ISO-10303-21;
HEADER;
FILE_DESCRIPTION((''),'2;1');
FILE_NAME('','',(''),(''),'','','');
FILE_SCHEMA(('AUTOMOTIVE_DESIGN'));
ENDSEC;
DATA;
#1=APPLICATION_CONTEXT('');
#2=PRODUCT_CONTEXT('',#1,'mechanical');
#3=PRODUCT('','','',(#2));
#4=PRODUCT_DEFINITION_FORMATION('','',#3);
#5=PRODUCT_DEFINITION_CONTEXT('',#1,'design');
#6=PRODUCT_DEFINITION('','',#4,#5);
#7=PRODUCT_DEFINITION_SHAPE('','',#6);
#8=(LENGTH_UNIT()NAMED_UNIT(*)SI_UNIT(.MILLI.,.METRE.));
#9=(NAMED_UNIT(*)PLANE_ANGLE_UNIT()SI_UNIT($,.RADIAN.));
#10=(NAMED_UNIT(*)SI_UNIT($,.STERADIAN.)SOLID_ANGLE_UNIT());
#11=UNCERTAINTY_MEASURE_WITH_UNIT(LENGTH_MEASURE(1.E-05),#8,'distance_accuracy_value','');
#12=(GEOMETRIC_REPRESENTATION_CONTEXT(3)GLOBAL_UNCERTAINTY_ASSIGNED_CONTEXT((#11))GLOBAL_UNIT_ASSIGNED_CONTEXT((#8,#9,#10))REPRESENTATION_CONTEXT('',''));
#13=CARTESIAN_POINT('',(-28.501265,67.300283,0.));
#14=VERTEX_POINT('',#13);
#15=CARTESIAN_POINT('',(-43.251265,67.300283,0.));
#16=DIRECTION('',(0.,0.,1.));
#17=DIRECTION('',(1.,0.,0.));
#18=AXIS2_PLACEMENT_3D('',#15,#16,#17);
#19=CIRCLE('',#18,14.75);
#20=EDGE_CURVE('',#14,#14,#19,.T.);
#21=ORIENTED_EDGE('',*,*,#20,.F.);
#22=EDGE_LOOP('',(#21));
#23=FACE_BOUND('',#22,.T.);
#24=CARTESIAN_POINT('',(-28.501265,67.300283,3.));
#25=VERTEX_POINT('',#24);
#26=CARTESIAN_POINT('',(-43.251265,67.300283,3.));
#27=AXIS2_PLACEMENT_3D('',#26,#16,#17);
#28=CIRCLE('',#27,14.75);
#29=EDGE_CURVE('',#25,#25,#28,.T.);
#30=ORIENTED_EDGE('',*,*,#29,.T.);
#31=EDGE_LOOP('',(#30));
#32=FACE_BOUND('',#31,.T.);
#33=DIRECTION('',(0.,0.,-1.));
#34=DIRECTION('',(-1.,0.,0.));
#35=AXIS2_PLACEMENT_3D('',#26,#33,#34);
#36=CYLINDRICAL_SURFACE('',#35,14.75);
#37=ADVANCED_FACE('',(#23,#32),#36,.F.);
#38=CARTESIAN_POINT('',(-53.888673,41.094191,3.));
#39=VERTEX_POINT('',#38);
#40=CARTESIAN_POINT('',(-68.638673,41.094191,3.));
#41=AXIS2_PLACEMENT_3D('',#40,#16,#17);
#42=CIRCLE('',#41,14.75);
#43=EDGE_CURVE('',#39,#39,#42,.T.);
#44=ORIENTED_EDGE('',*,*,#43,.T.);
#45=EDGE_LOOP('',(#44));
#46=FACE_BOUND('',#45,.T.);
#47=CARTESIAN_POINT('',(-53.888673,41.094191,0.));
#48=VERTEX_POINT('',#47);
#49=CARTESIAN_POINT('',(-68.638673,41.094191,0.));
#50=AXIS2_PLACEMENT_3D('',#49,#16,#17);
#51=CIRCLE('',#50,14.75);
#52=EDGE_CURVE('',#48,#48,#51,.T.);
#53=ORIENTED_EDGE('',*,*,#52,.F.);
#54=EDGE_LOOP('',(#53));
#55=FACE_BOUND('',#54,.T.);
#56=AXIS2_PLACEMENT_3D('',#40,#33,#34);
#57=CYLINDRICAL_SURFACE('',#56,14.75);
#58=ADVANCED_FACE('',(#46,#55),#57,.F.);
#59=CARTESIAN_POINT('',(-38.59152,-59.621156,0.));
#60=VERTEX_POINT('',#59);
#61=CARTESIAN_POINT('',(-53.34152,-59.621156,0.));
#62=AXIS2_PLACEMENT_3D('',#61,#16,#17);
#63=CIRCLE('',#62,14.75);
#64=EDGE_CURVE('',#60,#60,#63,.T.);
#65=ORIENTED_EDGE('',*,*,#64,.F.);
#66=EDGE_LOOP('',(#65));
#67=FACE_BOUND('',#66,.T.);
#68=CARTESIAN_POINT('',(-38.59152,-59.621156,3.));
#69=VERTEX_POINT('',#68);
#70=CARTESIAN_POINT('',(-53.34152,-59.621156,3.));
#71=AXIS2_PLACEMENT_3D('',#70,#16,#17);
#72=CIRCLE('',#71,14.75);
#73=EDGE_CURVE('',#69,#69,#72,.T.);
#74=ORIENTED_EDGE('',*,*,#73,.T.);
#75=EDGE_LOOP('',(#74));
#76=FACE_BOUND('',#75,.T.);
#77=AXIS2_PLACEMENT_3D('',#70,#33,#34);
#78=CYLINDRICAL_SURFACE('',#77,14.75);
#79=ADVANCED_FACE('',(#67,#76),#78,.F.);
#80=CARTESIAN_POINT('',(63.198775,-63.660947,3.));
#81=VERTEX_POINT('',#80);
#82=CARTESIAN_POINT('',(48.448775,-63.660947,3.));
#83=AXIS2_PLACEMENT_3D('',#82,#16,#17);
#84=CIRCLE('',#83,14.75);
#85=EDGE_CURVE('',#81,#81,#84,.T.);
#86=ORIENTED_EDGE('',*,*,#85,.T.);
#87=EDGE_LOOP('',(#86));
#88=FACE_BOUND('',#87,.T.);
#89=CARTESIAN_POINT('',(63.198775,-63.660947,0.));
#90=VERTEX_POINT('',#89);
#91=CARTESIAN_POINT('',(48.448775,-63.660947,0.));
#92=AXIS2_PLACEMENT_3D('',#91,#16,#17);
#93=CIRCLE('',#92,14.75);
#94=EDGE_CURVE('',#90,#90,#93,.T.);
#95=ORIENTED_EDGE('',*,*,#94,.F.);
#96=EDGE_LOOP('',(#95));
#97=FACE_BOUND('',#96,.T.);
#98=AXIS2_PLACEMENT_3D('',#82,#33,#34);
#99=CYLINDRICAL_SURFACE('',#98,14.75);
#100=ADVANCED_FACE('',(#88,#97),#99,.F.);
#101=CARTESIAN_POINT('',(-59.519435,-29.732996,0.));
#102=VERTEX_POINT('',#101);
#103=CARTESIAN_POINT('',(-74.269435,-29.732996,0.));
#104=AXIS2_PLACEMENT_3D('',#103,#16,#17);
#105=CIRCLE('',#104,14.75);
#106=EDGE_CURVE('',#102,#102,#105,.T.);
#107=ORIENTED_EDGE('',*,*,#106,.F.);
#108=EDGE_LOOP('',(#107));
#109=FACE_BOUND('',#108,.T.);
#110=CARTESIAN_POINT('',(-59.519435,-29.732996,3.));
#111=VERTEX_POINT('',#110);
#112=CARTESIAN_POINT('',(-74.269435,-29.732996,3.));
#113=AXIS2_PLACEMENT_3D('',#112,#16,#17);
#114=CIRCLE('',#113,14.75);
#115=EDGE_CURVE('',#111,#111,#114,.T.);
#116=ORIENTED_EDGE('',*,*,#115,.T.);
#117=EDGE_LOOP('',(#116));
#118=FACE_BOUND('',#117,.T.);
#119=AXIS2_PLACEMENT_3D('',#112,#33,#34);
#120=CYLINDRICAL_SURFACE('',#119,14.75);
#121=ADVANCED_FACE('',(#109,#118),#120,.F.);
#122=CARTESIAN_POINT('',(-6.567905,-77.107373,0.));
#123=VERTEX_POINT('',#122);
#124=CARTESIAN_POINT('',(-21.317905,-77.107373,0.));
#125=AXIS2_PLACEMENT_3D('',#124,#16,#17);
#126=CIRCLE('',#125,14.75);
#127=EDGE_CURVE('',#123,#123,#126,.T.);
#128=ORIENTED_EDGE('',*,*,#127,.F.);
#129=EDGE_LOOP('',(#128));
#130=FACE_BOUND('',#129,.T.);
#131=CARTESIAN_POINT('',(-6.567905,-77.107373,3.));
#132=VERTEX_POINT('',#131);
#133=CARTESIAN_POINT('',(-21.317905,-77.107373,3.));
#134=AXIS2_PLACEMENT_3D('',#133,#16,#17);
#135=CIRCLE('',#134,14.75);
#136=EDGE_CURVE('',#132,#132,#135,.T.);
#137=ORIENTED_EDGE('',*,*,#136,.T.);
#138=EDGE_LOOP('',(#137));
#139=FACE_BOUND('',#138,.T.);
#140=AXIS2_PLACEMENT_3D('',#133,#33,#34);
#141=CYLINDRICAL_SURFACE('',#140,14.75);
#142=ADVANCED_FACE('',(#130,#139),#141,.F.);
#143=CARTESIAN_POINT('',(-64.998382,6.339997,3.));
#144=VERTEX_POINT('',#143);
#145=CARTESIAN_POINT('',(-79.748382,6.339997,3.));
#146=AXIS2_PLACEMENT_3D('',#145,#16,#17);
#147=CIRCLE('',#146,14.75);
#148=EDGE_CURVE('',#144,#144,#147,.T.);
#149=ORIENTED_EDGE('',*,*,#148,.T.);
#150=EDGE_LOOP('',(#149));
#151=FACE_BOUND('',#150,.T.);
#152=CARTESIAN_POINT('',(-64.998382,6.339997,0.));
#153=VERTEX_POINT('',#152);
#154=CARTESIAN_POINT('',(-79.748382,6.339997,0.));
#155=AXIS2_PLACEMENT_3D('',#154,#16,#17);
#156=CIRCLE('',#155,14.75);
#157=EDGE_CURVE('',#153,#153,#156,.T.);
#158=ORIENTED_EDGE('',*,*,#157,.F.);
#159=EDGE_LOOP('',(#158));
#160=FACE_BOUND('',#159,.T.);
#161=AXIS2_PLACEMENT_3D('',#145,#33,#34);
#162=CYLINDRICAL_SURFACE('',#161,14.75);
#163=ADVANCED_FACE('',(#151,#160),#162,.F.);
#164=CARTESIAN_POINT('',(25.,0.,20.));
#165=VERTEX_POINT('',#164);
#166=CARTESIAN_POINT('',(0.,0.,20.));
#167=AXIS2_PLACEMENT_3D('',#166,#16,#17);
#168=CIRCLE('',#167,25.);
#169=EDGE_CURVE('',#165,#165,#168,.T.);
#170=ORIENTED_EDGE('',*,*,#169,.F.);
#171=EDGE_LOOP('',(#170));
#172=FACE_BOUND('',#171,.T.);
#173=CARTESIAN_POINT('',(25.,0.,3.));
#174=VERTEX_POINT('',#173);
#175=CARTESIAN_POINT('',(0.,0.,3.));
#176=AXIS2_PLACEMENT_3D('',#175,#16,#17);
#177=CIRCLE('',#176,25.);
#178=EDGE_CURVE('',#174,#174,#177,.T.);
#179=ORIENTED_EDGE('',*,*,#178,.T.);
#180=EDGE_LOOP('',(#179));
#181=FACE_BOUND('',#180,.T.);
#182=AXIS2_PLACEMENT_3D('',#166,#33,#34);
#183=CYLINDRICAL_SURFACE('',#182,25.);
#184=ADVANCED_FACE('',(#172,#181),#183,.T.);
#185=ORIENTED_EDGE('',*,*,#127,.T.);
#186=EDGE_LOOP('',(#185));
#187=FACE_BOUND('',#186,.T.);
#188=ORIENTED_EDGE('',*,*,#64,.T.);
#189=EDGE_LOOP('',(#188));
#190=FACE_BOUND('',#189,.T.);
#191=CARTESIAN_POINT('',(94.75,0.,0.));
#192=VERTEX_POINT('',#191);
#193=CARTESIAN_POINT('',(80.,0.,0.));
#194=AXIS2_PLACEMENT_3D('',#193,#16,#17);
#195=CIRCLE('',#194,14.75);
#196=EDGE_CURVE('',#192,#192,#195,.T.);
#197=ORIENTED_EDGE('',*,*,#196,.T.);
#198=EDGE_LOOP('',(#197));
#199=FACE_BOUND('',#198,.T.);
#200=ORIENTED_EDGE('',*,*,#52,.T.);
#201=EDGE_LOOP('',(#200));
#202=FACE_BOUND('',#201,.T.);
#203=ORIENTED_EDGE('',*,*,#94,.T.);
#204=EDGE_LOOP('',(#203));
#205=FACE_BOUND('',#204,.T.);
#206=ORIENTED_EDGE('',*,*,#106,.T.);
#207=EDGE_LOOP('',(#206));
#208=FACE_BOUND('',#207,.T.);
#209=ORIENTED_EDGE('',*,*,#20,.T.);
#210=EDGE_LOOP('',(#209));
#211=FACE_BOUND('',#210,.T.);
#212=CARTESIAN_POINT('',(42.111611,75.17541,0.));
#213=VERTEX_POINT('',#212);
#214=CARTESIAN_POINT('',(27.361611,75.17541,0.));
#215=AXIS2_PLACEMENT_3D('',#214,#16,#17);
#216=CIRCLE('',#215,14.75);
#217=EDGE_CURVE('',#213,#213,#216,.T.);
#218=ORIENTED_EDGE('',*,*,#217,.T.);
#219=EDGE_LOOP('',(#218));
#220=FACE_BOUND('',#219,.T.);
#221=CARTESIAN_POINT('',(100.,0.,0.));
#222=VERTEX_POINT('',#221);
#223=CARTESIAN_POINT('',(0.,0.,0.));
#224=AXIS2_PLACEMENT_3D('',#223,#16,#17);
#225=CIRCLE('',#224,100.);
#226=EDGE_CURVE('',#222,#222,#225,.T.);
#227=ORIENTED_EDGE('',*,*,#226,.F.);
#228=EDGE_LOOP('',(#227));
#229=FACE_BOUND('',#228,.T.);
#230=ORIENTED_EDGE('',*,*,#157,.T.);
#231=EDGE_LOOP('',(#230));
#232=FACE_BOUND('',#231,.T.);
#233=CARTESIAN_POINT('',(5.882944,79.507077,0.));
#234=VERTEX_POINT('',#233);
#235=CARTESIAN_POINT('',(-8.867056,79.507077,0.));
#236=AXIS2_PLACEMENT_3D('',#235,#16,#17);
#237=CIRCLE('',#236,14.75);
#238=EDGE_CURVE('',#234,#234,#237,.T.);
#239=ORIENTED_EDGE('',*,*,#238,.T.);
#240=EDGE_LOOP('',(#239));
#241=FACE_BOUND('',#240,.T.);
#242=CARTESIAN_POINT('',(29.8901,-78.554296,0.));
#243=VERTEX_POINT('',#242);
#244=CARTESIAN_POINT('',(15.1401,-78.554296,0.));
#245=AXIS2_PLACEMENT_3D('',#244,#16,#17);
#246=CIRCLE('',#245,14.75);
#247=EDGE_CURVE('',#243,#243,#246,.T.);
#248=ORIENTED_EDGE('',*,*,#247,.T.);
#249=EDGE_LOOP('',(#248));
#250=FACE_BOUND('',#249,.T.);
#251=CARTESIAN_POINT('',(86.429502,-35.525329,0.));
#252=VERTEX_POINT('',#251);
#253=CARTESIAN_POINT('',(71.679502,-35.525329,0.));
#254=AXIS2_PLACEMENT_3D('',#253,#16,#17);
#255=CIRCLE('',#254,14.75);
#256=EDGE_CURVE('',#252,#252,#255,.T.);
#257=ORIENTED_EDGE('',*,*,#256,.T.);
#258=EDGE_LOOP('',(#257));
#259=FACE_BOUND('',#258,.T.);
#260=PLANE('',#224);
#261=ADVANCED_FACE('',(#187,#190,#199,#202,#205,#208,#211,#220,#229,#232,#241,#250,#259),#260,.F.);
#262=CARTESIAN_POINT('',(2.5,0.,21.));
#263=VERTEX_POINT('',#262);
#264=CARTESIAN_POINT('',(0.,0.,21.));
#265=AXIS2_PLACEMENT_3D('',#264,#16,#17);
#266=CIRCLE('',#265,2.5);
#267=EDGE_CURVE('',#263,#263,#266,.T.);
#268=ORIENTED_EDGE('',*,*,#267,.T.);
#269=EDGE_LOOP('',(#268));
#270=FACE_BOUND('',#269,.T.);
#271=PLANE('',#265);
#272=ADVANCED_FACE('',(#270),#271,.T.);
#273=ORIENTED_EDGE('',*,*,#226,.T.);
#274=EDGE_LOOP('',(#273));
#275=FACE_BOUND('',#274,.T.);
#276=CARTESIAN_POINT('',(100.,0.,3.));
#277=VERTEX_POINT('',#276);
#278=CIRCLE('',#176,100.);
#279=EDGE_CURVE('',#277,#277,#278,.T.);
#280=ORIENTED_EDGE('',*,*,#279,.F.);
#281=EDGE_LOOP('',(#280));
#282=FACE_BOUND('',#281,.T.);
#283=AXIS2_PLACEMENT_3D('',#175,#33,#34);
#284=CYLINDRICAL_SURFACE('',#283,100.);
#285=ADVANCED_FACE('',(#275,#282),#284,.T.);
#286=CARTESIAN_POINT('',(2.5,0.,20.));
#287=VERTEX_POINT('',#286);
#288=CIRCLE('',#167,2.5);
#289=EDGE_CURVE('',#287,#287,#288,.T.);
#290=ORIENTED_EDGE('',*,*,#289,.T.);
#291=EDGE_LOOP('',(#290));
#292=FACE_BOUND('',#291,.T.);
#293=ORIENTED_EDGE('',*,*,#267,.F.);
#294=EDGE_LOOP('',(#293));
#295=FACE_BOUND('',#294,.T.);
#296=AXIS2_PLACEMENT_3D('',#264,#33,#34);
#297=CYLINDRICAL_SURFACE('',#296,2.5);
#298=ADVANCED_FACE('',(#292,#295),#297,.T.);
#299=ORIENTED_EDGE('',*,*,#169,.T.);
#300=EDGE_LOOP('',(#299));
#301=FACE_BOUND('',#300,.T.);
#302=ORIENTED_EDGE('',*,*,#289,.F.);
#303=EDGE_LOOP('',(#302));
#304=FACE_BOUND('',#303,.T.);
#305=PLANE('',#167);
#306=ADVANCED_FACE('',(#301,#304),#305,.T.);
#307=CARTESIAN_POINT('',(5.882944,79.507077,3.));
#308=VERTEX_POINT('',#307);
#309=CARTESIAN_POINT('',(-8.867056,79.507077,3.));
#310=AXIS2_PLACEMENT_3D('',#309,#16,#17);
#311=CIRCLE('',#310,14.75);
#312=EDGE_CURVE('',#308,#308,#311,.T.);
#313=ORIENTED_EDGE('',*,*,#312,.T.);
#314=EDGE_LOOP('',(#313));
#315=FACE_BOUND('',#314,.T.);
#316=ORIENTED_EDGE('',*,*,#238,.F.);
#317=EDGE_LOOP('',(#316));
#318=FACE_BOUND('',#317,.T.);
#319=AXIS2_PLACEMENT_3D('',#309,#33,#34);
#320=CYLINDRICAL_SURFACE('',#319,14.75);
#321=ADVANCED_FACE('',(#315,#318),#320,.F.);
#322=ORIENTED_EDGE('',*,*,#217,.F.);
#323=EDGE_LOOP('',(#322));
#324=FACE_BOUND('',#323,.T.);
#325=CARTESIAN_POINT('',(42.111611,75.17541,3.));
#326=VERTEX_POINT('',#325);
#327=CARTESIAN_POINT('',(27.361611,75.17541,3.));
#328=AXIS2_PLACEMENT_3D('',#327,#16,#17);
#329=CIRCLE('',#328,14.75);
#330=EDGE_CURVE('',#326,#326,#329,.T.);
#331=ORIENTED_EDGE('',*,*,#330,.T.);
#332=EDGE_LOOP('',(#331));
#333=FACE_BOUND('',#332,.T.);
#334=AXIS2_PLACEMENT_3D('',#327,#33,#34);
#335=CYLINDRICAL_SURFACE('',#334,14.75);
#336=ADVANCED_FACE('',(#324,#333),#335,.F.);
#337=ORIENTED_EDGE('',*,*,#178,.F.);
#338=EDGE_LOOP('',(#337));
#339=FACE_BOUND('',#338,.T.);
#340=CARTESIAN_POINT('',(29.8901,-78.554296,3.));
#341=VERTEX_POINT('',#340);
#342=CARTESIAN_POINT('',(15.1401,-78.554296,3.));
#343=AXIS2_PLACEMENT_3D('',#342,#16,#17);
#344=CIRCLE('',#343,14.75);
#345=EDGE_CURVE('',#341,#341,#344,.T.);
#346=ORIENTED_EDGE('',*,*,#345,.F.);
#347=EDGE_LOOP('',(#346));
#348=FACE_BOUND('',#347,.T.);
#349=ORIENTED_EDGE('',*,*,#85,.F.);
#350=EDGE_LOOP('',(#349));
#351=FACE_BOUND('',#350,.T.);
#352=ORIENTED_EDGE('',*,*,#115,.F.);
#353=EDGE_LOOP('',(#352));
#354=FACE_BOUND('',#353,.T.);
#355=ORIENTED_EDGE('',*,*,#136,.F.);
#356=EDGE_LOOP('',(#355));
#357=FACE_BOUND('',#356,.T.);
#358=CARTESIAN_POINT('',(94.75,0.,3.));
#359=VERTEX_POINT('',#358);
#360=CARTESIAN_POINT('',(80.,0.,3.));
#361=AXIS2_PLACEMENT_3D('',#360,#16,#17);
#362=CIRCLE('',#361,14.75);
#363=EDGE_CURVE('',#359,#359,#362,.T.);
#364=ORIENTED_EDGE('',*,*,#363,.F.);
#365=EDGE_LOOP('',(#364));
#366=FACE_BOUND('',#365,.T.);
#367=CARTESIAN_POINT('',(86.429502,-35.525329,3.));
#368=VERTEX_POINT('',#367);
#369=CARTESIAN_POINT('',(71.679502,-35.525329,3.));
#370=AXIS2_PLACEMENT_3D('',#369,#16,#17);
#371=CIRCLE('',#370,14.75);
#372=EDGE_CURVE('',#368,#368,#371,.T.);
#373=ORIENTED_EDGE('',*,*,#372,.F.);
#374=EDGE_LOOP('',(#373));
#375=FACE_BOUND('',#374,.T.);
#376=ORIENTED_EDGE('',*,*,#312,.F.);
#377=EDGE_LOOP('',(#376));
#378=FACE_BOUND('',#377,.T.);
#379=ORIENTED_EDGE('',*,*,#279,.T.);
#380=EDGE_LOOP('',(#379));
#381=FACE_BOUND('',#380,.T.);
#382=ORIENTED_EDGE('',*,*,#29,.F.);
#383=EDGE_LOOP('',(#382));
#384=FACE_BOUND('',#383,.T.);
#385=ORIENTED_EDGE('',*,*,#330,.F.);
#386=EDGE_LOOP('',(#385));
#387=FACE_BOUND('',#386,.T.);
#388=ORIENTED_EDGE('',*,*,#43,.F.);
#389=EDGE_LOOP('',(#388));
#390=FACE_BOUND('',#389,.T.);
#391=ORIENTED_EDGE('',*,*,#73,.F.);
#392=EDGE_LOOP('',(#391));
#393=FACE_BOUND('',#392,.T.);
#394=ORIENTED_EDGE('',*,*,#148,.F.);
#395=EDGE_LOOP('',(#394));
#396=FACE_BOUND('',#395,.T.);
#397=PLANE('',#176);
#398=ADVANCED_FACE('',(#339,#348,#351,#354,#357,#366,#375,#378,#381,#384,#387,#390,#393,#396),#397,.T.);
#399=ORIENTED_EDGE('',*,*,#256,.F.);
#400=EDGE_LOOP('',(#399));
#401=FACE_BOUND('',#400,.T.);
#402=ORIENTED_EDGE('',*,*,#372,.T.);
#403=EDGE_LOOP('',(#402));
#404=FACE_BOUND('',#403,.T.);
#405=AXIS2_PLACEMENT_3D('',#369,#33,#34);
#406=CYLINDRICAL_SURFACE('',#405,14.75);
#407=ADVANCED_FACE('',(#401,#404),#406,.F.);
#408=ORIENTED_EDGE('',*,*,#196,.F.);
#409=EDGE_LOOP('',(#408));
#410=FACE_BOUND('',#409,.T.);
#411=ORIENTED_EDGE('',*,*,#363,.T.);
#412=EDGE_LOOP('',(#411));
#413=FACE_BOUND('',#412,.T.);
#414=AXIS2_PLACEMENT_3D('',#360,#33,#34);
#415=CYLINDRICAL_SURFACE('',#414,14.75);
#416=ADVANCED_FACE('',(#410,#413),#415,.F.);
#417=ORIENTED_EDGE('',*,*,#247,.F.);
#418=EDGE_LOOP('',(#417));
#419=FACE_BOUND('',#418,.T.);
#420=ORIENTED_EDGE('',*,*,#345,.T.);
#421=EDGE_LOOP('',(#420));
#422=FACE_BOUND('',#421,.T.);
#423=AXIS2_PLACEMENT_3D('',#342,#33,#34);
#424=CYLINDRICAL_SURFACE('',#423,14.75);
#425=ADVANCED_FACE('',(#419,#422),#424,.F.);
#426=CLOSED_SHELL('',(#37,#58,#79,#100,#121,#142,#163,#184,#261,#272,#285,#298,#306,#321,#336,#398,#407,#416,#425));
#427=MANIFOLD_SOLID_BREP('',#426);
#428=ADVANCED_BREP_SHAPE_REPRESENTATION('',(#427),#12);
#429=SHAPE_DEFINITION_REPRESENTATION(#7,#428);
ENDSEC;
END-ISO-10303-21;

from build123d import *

# Parameters (mm, degrees)
SKETCH1_R           = 100
SKETCH1_R_2         = 14.75
SKETCH1_R_3         = 25
BOSS_EXTRUDE1_DEPTH = 3
SKETCH1_3_R         = 25
BOSS_EXTRUDE2_DEPTH = 20
SKETCH2_R           = 2.5
BOSS_EXTRUDE3_DEPTH = 1


with BuildPart() as part:
    # Sketch1 → Boss-Extrude1 (new body)
    with BuildSketch(Plane.XY):
        Circle(SKETCH1_R)
        with Locations((80, 0)):
            Circle(SKETCH1_R_2, mode=Mode.SUBTRACT)
        with Locations((71.679501943, -35.525329008)):
            Circle(SKETCH1_R_2, mode=Mode.SUBTRACT)
        with Locations((48.448774971, -63.660947242)):
            Circle(SKETCH1_R_2, mode=Mode.SUBTRACT)
        with Locations((15.140099549, -78.554295781)):
            Circle(SKETCH1_R_2, mode=Mode.SUBTRACT)
        with Locations((-21.317905095, -77.107372685)):
            Circle(SKETCH1_R_2, mode=Mode.SUBTRACT)
        with Locations((-53.341520041, -59.621155974)):
            Circle(SKETCH1_R_2, mode=Mode.SUBTRACT)
        with Locations((-74.269434641, -29.732996453)):
            Circle(SKETCH1_R_2, mode=Mode.SUBTRACT)
        with Locations((-79.748382076, 6.339996549)):
            Circle(SKETCH1_R_2, mode=Mode.SUBTRACT)
        with Locations((-68.638673059, 41.094191326)):
            Circle(SKETCH1_R_2, mode=Mode.SUBTRACT)
        with Locations((-43.251265396, 67.300282626)):
            Circle(SKETCH1_R_2, mode=Mode.SUBTRACT)
        with Locations((-8.867055992, 79.507077157)):
            Circle(SKETCH1_R_2, mode=Mode.SUBTRACT)
        with Locations((27.361611466, 75.175409663)):
            Circle(SKETCH1_R_2, mode=Mode.SUBTRACT)
        Circle(SKETCH1_R_3, mode=Mode.SUBTRACT)
    extrude(amount=BOSS_EXTRUDE1_DEPTH)

    # Sketch1_3 → Boss-Extrude2 (add)
    with BuildSketch(Plane.XY):
        Circle(SKETCH1_3_R)
    extrude(amount=BOSS_EXTRUDE2_DEPTH)

    # Sketch2 → Boss-Extrude3 (add)
    with BuildSketch(Plane.XY.offset(20)):
        Circle(SKETCH2_R)
    extrude(amount=BOSS_EXTRUDE3_DEPTH)


solid = part.part
